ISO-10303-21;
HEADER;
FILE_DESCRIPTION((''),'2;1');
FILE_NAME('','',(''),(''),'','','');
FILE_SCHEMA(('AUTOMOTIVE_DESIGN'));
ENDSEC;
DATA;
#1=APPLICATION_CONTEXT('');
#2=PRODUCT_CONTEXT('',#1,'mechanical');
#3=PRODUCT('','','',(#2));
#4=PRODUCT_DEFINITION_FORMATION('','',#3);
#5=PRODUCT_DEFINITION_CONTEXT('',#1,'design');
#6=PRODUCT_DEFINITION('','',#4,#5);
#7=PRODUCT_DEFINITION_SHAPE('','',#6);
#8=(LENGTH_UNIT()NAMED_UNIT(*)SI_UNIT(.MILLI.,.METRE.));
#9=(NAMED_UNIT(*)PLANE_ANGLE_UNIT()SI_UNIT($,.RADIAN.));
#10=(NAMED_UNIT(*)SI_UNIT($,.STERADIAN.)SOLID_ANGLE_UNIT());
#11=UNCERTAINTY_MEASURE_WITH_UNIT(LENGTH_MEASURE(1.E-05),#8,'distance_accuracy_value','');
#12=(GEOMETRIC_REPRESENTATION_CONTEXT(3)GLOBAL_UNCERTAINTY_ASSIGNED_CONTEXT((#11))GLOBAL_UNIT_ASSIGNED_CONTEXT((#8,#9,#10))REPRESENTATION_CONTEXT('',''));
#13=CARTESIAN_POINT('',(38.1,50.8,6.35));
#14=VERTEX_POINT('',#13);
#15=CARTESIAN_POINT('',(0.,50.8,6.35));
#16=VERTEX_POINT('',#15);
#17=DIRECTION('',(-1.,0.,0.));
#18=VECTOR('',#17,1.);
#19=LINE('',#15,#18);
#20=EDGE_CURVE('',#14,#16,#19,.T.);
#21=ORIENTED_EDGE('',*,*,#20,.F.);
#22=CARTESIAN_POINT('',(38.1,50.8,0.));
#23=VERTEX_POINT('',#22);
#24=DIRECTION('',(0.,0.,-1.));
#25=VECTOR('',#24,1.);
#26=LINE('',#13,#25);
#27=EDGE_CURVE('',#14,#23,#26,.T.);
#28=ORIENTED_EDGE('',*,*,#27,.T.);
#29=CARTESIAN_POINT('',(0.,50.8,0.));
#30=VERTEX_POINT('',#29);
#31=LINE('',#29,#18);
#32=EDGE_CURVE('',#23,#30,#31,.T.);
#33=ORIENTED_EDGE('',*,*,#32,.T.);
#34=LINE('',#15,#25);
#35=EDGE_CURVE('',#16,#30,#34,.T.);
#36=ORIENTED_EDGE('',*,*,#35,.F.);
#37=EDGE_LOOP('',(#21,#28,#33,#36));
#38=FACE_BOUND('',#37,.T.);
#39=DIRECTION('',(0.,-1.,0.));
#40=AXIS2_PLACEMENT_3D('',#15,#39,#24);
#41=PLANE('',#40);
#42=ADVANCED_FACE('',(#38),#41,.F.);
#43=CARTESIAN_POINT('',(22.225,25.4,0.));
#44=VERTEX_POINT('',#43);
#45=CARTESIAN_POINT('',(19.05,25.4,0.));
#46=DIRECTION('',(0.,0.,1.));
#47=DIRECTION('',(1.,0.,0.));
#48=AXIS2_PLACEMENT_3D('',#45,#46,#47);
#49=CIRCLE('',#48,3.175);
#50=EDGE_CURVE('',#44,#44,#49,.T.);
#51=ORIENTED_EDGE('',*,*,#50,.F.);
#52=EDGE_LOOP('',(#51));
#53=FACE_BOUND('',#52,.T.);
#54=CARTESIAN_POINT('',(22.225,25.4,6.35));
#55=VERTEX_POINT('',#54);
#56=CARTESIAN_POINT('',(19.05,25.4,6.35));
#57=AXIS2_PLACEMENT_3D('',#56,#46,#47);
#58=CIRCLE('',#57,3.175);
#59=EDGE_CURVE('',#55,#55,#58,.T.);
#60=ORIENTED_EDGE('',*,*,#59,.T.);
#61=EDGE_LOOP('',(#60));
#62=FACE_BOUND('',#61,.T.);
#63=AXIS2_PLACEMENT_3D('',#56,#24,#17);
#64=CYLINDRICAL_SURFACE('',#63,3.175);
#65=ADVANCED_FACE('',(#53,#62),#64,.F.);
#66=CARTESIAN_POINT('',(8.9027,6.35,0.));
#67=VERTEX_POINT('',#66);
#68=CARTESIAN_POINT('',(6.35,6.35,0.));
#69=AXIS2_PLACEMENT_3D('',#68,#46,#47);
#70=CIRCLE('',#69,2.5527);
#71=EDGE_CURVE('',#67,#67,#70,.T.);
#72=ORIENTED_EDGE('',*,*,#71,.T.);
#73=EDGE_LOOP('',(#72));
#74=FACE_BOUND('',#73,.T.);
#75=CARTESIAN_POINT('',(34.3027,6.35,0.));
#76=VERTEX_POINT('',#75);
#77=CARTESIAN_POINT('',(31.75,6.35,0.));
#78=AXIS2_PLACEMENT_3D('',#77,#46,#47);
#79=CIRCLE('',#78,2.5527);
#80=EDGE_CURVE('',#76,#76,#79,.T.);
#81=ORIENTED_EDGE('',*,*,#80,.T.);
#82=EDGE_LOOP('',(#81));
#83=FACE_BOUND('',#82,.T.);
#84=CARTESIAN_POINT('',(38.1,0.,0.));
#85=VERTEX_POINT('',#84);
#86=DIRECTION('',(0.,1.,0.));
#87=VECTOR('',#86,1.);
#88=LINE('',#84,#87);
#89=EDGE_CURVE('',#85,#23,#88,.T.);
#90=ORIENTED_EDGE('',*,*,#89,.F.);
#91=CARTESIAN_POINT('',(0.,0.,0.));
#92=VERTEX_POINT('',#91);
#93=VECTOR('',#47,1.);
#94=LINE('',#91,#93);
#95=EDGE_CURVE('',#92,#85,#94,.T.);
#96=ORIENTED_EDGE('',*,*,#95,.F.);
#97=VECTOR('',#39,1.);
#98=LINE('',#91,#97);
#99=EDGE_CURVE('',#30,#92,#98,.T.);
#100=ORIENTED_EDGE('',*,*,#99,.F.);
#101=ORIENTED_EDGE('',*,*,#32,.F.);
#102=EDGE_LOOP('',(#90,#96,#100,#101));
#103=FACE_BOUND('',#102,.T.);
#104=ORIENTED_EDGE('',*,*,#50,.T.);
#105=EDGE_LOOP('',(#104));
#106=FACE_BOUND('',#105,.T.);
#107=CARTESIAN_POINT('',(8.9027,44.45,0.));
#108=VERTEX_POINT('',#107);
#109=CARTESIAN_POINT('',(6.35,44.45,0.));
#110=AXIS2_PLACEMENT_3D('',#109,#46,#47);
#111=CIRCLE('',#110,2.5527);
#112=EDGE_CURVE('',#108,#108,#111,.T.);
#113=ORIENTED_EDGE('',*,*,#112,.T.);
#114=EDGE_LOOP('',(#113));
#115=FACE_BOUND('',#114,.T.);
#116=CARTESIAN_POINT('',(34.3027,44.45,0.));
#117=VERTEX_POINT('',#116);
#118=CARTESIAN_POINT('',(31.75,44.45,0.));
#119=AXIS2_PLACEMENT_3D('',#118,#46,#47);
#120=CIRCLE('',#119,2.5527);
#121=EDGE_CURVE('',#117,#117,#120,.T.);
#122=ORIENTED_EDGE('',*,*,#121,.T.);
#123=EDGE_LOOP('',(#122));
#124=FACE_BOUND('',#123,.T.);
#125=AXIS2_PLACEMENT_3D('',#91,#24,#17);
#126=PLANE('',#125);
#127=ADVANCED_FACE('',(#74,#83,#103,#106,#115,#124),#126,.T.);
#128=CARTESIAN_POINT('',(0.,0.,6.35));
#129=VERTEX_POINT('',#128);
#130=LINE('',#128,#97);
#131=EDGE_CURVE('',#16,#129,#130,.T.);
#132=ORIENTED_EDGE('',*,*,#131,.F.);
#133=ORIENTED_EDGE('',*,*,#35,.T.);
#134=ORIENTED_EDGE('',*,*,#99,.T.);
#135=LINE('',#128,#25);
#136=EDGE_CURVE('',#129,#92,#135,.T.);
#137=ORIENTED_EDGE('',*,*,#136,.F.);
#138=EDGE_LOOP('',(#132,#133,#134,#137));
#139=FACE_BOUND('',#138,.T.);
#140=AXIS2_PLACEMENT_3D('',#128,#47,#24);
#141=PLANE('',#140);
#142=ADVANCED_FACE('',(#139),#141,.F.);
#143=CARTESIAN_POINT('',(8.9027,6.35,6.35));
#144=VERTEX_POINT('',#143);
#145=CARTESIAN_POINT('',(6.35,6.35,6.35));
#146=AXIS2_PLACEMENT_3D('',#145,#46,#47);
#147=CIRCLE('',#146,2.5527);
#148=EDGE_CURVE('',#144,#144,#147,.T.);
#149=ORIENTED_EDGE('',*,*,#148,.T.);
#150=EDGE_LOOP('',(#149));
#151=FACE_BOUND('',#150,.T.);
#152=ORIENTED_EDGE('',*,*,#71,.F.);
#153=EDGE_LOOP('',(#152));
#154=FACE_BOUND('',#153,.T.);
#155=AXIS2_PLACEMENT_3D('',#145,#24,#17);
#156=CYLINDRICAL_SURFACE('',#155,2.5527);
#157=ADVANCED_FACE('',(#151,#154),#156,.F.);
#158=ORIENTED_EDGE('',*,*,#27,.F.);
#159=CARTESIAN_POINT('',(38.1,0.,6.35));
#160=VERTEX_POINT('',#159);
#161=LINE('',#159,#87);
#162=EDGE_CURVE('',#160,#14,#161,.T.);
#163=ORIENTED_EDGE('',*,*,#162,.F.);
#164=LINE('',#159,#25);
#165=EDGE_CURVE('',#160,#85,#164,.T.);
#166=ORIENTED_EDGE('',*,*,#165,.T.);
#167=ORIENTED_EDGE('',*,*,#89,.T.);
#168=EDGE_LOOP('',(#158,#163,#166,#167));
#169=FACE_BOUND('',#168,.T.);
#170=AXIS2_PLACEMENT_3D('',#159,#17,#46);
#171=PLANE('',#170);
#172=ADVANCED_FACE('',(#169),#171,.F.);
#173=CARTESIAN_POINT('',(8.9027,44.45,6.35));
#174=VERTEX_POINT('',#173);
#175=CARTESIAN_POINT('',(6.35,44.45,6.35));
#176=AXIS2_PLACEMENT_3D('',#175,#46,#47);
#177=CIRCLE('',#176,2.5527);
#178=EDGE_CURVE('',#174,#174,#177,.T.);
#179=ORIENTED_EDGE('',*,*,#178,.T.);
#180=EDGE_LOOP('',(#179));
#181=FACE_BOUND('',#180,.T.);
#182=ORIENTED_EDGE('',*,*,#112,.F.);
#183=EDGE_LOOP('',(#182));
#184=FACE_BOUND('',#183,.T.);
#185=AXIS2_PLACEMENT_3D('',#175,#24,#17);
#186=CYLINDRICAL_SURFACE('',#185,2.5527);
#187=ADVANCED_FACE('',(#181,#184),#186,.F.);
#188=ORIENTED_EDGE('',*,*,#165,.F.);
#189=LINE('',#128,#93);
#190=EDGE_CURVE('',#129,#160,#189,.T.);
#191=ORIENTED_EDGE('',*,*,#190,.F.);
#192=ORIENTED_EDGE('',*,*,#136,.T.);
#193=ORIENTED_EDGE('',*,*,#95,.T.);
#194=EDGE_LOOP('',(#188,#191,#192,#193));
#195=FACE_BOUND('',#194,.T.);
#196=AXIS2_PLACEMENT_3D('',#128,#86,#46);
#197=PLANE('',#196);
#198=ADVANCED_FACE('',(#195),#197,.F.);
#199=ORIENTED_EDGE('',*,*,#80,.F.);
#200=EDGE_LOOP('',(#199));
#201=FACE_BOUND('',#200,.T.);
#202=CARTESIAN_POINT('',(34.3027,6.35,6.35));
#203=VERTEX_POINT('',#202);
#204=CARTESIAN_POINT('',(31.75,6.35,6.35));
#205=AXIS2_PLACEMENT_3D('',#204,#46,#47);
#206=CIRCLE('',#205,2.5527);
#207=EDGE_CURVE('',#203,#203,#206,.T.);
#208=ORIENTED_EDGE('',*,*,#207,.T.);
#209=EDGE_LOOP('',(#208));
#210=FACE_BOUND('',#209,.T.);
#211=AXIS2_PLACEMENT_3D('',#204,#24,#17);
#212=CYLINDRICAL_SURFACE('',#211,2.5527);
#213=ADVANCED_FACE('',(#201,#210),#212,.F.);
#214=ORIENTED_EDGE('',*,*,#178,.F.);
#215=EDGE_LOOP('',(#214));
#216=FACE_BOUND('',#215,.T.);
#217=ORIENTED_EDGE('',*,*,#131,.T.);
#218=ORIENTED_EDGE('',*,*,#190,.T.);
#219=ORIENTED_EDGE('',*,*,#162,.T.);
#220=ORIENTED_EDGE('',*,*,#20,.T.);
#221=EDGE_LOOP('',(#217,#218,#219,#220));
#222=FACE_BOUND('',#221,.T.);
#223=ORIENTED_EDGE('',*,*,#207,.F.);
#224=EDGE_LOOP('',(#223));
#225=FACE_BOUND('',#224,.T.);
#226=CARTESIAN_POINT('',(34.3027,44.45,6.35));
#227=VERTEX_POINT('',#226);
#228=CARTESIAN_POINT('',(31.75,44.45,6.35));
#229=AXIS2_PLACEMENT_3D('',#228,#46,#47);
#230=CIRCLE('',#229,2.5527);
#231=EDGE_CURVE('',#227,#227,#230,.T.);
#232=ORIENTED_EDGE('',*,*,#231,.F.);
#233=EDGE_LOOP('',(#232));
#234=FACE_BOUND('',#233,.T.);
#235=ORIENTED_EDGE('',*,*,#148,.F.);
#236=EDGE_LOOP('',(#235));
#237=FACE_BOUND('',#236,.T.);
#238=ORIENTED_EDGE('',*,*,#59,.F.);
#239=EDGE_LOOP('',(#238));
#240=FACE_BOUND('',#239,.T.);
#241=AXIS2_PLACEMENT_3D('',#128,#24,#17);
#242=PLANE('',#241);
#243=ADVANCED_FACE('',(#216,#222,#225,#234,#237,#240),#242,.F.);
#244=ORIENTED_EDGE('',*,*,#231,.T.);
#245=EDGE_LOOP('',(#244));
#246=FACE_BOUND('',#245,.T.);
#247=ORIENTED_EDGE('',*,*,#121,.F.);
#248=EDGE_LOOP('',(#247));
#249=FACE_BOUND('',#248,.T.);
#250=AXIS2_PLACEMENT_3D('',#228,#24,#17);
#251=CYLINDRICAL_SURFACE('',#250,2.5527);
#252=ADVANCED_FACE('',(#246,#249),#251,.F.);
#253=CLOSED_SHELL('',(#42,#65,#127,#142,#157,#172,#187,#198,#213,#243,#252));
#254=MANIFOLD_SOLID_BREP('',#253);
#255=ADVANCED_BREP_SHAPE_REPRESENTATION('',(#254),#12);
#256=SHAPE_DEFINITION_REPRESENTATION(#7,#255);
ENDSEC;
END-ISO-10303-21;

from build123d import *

# Parameters (mm, degrees)
SKETCH2_W           = 38.1
SKETCH2_H           = 50.8
SKETCH2_R           = 3.175
SKETCH2_R_2         = 2.5527
BOSS_EXTRUDE1_DEPTH = 6.35


with BuildPart() as part:
    # Sketch2 → Boss-Extrude1 (new body)
    with BuildSketch(Plane.XY):
        with Locations((19.05, 25.4)):
            Rectangle(SKETCH2_W, SKETCH2_H)
        with Locations((19.05, 25.4)):
            Circle(SKETCH2_R, mode=Mode.SUBTRACT)
        with Locations((6.35, 44.45)):
            Circle(SKETCH2_R_2, mode=Mode.SUBTRACT)
        with Locations((31.75, 44.45)):
            Circle(SKETCH2_R_2, mode=Mode.SUBTRACT)
        with Locations((31.75, 6.35)):
            Circle(SKETCH2_R_2, mode=Mode.SUBTRACT)
        with Locations((6.35, 6.35)):
            Circle(SKETCH2_R_2, mode=Mode.SUBTRACT)
    extrude(amount=BOSS_EXTRUDE1_DEPTH)


solid = part.part
